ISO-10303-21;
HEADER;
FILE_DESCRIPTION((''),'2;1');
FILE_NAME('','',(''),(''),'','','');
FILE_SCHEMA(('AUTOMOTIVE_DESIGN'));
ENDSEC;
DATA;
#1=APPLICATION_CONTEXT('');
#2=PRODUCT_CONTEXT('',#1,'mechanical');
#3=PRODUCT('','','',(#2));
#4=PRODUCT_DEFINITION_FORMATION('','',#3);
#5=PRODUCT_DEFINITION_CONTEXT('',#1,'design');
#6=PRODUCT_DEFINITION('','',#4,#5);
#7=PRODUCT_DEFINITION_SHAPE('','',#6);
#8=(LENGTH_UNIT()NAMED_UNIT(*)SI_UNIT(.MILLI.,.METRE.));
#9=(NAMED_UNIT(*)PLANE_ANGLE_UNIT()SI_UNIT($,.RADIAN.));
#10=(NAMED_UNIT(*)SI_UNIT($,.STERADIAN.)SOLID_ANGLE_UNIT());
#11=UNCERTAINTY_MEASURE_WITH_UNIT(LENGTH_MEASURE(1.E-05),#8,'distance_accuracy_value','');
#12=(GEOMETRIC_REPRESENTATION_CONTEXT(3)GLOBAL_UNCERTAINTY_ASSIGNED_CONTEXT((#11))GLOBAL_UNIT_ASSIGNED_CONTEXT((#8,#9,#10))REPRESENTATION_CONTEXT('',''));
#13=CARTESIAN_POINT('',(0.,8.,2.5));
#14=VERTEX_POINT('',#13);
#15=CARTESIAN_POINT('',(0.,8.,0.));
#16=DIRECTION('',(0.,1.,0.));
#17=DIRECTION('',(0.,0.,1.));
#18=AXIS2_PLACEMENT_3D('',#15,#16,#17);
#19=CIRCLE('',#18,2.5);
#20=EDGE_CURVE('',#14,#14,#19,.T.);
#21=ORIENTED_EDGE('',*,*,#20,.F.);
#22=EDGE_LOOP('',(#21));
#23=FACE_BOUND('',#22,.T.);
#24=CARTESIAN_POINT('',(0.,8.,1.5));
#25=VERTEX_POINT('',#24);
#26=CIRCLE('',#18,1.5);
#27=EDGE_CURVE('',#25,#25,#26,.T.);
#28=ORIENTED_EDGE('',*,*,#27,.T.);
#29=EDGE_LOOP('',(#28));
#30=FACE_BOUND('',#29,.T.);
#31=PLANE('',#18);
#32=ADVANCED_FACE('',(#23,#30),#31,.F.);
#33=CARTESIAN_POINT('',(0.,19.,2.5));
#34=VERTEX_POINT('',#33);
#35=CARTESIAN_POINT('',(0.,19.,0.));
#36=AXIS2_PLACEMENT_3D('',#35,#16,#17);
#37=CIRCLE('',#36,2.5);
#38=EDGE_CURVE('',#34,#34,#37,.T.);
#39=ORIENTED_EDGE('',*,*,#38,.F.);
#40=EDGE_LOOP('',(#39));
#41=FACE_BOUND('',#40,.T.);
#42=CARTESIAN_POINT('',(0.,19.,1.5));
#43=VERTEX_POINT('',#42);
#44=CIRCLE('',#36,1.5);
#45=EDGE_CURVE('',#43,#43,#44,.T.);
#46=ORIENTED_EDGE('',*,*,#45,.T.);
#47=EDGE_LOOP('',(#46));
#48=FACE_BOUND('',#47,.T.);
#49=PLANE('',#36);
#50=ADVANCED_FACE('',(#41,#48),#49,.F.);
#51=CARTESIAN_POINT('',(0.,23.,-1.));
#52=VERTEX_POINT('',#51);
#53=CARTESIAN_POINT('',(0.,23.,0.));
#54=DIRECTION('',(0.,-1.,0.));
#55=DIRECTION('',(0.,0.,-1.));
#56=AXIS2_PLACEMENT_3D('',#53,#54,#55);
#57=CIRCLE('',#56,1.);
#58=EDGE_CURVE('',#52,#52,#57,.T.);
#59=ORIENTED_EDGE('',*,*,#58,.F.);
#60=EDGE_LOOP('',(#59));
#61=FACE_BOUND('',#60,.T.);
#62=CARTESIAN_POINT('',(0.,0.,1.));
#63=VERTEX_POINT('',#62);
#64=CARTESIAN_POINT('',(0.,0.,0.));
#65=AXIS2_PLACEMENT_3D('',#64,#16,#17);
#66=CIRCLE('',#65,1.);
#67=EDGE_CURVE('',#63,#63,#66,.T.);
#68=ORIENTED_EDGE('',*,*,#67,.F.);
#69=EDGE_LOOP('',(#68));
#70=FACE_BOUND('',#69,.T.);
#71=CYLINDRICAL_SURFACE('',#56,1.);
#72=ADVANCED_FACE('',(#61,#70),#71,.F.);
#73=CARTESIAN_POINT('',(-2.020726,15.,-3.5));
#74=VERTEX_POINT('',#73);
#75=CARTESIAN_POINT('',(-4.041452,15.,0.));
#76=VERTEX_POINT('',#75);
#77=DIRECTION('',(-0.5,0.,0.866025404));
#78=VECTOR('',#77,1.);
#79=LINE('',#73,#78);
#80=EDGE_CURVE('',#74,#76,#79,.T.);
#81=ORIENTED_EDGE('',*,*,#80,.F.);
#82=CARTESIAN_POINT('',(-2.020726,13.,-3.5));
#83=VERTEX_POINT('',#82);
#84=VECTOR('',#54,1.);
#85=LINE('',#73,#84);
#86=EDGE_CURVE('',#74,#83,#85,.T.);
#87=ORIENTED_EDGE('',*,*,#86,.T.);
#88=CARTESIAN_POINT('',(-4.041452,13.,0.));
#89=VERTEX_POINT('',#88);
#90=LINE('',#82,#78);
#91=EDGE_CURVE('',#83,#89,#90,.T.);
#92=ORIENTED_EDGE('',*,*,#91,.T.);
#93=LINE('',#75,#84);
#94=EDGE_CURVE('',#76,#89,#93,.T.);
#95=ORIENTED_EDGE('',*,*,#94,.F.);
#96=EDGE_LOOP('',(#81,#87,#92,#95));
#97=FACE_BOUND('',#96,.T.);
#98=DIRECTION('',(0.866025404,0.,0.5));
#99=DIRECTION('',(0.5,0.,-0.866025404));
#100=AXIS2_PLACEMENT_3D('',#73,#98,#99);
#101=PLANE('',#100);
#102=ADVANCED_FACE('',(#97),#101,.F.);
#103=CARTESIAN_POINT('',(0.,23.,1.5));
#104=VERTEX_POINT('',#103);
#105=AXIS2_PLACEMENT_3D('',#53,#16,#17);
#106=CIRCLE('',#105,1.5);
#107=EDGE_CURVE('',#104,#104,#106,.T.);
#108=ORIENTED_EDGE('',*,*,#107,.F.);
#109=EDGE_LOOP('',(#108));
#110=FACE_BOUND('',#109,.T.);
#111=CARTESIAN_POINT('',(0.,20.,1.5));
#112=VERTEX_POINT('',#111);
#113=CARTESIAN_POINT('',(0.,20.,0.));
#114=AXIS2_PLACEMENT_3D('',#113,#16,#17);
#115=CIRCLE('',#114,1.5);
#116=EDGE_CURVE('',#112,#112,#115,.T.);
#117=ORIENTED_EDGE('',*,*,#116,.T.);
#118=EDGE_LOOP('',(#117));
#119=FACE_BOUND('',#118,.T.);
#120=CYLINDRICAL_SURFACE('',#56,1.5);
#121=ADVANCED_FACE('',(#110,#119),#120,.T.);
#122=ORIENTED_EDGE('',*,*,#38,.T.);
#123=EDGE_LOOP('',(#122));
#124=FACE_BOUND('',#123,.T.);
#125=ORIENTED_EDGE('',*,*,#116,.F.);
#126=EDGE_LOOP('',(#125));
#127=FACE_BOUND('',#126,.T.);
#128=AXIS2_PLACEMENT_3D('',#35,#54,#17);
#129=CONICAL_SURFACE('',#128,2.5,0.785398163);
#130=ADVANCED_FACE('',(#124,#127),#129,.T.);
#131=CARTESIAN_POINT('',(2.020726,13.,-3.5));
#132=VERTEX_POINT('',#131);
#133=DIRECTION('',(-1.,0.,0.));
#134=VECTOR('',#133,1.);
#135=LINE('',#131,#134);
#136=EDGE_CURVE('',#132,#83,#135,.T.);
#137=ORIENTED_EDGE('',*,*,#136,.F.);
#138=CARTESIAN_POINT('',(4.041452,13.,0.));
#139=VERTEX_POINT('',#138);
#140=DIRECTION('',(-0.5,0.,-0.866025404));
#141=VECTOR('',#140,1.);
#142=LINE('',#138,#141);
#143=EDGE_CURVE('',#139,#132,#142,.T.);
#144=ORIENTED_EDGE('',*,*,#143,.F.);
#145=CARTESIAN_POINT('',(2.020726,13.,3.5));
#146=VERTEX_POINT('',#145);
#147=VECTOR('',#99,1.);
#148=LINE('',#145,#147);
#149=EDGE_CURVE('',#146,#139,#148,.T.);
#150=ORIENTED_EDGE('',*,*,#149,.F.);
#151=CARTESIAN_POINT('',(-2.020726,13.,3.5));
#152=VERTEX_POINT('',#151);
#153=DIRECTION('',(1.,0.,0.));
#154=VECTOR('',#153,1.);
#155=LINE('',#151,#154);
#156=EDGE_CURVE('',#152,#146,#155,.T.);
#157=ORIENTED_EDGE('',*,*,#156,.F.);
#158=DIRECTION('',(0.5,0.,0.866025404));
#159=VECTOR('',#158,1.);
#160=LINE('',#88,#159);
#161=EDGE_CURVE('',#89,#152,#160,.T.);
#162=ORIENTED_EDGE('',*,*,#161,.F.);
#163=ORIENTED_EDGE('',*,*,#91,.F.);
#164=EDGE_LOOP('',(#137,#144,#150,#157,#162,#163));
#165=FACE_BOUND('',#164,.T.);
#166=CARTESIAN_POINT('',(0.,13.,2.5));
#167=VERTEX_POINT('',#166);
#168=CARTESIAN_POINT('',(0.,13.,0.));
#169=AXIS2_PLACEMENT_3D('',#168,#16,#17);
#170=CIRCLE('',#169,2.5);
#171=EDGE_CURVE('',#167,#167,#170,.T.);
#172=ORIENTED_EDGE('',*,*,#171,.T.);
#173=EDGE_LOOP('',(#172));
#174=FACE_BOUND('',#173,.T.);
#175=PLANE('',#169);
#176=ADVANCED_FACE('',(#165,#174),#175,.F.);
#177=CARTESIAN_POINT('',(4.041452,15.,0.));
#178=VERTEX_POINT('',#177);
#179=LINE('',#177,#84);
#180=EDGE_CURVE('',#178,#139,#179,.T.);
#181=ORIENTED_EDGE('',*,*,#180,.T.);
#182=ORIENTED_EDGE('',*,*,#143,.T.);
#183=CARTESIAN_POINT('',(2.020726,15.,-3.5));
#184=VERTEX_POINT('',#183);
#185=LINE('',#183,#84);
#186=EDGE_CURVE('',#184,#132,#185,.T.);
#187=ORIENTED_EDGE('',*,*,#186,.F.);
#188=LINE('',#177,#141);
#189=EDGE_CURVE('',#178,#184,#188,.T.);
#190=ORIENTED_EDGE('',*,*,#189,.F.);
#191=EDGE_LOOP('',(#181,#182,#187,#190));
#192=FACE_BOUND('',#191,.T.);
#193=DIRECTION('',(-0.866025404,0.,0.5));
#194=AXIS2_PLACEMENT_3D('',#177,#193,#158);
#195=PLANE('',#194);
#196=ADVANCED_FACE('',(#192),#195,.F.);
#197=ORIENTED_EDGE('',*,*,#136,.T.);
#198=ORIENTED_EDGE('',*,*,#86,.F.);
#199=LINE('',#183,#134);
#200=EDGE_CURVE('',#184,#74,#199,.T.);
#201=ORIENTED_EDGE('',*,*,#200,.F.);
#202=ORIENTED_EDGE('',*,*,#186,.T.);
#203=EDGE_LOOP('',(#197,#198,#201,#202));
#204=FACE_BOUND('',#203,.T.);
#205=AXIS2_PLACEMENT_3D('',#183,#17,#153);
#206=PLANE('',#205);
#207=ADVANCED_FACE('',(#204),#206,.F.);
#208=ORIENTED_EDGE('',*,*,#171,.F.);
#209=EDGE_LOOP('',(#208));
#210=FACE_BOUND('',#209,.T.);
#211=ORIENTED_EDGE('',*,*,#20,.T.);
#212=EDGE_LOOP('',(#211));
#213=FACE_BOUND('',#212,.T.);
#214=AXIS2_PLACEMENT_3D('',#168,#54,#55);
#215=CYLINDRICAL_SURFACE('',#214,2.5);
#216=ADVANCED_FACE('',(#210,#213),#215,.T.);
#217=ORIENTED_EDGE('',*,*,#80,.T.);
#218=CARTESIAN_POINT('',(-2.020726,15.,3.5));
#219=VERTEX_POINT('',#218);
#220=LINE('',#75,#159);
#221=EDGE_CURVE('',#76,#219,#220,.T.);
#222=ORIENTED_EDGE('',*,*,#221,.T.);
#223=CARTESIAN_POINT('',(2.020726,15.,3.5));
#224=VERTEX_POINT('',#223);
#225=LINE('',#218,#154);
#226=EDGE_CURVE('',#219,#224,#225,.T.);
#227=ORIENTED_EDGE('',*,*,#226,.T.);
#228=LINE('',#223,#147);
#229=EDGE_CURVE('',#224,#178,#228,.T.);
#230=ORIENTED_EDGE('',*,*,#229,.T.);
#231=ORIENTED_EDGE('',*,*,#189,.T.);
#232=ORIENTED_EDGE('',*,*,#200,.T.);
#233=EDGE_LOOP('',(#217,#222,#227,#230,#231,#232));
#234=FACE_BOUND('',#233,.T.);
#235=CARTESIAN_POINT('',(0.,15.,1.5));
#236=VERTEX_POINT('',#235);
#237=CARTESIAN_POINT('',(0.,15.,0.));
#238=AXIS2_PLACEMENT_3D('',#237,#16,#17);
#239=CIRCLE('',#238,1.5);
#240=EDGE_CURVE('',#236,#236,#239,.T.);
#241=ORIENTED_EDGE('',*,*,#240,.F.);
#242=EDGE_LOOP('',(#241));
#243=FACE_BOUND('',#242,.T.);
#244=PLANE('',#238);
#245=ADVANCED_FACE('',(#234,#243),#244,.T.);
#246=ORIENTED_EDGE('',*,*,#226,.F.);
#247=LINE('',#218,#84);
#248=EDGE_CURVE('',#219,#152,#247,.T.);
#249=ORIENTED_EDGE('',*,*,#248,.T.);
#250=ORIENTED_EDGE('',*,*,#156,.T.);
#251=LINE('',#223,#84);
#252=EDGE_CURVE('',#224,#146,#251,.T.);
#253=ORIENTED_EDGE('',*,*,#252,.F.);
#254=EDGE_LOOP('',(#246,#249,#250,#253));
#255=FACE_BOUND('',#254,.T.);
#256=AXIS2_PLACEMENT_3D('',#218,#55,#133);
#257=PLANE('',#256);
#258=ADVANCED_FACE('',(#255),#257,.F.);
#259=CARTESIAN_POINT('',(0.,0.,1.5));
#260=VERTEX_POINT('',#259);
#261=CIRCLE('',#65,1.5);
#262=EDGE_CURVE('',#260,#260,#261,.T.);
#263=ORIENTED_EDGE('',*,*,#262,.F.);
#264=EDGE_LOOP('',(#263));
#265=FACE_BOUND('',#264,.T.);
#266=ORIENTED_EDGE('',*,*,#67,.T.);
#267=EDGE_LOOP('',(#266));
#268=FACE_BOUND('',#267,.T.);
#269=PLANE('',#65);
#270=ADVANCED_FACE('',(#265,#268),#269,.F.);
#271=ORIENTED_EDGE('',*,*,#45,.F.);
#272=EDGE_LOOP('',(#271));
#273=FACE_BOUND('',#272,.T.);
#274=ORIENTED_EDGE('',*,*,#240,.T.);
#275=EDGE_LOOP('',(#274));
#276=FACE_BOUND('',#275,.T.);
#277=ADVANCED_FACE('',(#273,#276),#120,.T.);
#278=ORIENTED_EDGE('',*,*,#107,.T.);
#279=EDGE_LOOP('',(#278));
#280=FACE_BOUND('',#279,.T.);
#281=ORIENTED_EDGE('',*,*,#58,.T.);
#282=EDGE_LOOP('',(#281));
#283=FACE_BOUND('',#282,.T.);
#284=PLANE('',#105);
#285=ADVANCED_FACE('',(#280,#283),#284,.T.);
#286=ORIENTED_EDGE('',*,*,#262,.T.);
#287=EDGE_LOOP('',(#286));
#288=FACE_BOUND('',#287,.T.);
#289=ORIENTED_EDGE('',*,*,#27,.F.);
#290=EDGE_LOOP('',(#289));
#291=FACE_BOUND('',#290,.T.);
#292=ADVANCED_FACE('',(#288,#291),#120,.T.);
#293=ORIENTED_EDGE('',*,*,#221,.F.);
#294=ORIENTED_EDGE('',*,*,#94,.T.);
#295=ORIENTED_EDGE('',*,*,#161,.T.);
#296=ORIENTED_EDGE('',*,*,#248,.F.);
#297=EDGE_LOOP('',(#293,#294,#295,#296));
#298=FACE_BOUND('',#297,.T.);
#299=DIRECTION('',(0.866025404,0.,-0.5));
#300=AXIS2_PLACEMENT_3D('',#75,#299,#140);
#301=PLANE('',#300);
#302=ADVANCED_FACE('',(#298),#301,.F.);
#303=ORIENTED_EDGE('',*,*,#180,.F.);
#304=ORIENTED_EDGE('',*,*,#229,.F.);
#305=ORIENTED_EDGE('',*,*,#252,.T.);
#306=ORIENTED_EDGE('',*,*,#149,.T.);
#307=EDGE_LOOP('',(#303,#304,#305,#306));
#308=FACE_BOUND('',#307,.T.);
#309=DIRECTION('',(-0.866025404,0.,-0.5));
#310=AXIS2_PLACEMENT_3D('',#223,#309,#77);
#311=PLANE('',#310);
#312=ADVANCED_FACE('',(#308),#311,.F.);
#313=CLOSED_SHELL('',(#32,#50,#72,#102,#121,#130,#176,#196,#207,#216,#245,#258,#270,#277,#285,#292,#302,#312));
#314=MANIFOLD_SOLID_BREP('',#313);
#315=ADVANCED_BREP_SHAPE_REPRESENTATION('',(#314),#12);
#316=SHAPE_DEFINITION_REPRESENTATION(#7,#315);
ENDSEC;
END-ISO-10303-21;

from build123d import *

# Parameters (mm, degrees)
SKETCH1_R               = 1.5
BOSS_EXTRUDE1_DEPTH     = 23
BOSS_EXTRUDE2_START     = 8
SKETCH2_R               = 2.5
BOSS_EXTRUDE2_DEPTH     = 5
BOSS_EXTRUDE3_DEPTH     = 2
BOSS_EXTRUDE4_START     = 4
SKETCH5_R               = 2.5
BOSS_EXTRUDE4_DEPTH     = 1
BOSS_EXTRUDE4_TAPER     = 45
CUT_EXTRUDE1_DEPTH      = 24.613202522
CUT_EXTRUDE1_DEPTH_BACK = 24.613202522
SKETCH6_R               = 1


with BuildPart() as part:
    # Sketch1 → Boss-Extrude1 (new body)
    with BuildSketch(Plane(origin=(0, 0, 0), x_dir=(1, 0, 0), z_dir=(0, 1, 0))):
        with Locations(Location((0, 0, 0), (0, 0, 270))):
            Circle(SKETCH1_R)
    extrude(amount=BOSS_EXTRUDE1_DEPTH)

    # Sketch2 → Boss-Extrude2 (add)
    with BuildSketch(Plane(origin=(0, 0, 0), x_dir=(1, 0, 0), z_dir=(0, 1, 0)).offset(BOSS_EXTRUDE2_START)):
        with Locations(Location((0, 0, 0), (0, 0, 270))):
            Circle(SKETCH2_R)
    extrude(amount=BOSS_EXTRUDE2_DEPTH)

    # Sketch3 → Boss-Extrude3 (add)
    with BuildSketch(Plane(origin=(0, 13, 0), x_dir=(1, 0, 0), z_dir=(0, 1, 0))):
        Polygon((-2.020725942, 3.5), (-4.041451884, 0), (-2.020725942, -3.5), (2.020725942, -3.5), (4.041451884, 0), (2.020725942, 3.5), align=None)
    extrude(amount=BOSS_EXTRUDE3_DEPTH)

    # Sketch5 → Boss-Extrude4 (add)
    with BuildSketch(Plane(origin=(0, 15, 0), x_dir=(1, 0, 0), z_dir=(0, 1, 0)).offset(BOSS_EXTRUDE4_START)):
        with Locations(Location((0, 0, 0), (0, 0, 270))):
            Circle(SKETCH5_R)
    extrude(amount=BOSS_EXTRUDE4_DEPTH, taper=BOSS_EXTRUDE4_TAPER)

    # Sketch6 → Cut-Extrude1 (cut, two sides: drawn at the far end of the back side and taken through both)
    with BuildSketch(Plane.XZ.offset(-CUT_EXTRUDE1_DEPTH_BACK)):
        with Locations(Location((0, 0, 0), (0, 0, 270))):
            Circle(SKETCH6_R)
    extrude(amount=CUT_EXTRUDE1_DEPTH + CUT_EXTRUDE1_DEPTH_BACK, mode=Mode.SUBTRACT)


solid = part.part
